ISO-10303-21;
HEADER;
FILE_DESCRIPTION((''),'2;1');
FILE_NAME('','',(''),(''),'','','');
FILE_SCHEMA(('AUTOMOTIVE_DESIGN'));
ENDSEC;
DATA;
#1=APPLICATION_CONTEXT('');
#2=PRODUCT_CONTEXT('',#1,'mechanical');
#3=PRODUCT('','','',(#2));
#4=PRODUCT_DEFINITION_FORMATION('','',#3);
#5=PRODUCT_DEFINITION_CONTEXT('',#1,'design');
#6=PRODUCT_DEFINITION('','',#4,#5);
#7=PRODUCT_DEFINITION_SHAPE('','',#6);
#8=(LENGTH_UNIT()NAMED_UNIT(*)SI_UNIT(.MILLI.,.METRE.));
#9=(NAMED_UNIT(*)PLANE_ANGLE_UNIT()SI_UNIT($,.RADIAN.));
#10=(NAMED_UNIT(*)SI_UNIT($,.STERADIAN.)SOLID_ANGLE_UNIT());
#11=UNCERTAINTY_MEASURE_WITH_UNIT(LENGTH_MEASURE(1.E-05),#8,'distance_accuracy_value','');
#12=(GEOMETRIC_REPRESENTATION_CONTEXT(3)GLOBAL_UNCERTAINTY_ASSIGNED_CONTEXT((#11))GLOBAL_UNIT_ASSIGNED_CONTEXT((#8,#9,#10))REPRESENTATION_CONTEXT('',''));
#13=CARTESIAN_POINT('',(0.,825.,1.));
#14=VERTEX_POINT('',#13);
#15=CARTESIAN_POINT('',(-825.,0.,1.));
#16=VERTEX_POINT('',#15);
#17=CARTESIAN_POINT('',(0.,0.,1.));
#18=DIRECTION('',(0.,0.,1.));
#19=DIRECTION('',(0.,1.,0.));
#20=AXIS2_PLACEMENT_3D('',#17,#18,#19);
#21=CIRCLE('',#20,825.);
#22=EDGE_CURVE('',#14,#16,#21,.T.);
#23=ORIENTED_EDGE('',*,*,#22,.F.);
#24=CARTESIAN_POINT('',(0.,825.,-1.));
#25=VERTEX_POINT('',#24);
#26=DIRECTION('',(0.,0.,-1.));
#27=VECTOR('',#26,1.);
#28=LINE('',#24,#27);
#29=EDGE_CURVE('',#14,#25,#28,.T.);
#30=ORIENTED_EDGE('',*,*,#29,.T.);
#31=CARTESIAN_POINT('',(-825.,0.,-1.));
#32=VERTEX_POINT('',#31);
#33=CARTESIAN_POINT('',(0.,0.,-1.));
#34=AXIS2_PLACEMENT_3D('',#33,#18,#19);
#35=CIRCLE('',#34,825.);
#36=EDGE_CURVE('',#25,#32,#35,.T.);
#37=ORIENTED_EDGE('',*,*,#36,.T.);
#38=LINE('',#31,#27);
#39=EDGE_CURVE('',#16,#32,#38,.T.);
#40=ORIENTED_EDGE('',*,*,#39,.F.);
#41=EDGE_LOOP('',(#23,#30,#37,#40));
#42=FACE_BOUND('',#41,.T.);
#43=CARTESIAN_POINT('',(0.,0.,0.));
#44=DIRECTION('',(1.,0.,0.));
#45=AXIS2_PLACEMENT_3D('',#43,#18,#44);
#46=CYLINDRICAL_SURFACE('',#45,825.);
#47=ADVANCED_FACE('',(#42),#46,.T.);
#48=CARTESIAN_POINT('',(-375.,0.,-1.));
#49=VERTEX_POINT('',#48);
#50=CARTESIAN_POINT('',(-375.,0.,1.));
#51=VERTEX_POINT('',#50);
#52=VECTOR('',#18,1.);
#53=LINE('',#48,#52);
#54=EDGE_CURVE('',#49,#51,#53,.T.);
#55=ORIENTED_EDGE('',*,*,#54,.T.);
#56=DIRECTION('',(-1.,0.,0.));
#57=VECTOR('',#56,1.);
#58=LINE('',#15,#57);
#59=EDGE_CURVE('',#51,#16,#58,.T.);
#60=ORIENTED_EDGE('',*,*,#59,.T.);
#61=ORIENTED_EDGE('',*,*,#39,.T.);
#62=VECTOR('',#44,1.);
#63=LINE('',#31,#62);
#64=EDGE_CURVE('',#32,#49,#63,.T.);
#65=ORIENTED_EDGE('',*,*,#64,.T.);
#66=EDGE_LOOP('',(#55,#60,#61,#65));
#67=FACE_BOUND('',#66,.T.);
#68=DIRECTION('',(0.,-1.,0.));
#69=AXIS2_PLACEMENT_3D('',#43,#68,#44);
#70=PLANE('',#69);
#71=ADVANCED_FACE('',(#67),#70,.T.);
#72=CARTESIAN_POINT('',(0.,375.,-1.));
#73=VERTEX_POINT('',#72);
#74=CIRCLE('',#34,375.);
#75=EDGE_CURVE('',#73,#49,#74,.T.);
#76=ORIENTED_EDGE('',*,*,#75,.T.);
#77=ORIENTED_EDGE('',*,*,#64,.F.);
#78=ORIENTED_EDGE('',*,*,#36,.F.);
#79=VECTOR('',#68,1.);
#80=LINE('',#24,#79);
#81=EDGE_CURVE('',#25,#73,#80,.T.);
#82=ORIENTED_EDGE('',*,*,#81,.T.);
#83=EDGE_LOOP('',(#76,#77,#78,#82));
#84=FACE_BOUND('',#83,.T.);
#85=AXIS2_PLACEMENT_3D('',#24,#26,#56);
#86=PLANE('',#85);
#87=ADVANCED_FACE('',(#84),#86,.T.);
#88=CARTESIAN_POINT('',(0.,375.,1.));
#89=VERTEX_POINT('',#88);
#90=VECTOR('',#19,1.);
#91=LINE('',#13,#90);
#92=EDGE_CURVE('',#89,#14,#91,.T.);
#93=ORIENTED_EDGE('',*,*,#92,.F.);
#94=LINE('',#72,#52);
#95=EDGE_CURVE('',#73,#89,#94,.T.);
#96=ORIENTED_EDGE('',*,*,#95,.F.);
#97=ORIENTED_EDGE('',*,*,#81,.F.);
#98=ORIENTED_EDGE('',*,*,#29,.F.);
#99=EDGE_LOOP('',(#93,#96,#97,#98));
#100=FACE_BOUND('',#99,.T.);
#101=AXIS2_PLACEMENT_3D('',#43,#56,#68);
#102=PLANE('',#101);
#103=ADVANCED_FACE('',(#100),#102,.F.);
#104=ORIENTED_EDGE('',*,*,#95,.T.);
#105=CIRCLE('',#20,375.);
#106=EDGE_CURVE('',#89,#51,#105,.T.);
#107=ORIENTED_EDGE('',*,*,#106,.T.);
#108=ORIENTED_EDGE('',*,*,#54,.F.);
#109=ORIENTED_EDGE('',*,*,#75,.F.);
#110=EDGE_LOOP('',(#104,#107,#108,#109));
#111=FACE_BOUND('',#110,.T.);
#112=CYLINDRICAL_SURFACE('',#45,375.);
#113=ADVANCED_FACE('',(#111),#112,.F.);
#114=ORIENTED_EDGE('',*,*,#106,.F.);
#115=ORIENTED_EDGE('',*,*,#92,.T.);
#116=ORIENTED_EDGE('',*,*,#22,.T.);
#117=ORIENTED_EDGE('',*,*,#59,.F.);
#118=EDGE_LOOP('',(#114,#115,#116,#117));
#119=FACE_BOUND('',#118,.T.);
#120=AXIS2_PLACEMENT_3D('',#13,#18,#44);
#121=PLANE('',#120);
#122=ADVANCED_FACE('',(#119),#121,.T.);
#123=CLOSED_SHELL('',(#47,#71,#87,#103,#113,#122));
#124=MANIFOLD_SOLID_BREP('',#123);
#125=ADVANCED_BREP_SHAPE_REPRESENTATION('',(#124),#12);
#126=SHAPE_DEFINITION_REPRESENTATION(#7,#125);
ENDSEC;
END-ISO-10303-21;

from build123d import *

# Parameters (mm, degrees)
SKETCH_3_W = 2
SKETCH_3_H = 450


with BuildPart() as part:
    # 扫描1: sweep along a path in 草图1
    with BuildLine(Plane.XY) as sweep_1_path:
        ThreePointArc((0, 600), (-424.264068712, 424.264068712), (-600, 0))
    # 草图3 → 扫描1 (sweep)
    with BuildSketch(Plane(origin=(0, 600, 0), x_dir=(0, 0, 1), z_dir=(-1, 0, 0))):
        Rectangle(SKETCH_3_W, SKETCH_3_H)
    sweep(path=sweep_1_path.line)


solid = part.part
